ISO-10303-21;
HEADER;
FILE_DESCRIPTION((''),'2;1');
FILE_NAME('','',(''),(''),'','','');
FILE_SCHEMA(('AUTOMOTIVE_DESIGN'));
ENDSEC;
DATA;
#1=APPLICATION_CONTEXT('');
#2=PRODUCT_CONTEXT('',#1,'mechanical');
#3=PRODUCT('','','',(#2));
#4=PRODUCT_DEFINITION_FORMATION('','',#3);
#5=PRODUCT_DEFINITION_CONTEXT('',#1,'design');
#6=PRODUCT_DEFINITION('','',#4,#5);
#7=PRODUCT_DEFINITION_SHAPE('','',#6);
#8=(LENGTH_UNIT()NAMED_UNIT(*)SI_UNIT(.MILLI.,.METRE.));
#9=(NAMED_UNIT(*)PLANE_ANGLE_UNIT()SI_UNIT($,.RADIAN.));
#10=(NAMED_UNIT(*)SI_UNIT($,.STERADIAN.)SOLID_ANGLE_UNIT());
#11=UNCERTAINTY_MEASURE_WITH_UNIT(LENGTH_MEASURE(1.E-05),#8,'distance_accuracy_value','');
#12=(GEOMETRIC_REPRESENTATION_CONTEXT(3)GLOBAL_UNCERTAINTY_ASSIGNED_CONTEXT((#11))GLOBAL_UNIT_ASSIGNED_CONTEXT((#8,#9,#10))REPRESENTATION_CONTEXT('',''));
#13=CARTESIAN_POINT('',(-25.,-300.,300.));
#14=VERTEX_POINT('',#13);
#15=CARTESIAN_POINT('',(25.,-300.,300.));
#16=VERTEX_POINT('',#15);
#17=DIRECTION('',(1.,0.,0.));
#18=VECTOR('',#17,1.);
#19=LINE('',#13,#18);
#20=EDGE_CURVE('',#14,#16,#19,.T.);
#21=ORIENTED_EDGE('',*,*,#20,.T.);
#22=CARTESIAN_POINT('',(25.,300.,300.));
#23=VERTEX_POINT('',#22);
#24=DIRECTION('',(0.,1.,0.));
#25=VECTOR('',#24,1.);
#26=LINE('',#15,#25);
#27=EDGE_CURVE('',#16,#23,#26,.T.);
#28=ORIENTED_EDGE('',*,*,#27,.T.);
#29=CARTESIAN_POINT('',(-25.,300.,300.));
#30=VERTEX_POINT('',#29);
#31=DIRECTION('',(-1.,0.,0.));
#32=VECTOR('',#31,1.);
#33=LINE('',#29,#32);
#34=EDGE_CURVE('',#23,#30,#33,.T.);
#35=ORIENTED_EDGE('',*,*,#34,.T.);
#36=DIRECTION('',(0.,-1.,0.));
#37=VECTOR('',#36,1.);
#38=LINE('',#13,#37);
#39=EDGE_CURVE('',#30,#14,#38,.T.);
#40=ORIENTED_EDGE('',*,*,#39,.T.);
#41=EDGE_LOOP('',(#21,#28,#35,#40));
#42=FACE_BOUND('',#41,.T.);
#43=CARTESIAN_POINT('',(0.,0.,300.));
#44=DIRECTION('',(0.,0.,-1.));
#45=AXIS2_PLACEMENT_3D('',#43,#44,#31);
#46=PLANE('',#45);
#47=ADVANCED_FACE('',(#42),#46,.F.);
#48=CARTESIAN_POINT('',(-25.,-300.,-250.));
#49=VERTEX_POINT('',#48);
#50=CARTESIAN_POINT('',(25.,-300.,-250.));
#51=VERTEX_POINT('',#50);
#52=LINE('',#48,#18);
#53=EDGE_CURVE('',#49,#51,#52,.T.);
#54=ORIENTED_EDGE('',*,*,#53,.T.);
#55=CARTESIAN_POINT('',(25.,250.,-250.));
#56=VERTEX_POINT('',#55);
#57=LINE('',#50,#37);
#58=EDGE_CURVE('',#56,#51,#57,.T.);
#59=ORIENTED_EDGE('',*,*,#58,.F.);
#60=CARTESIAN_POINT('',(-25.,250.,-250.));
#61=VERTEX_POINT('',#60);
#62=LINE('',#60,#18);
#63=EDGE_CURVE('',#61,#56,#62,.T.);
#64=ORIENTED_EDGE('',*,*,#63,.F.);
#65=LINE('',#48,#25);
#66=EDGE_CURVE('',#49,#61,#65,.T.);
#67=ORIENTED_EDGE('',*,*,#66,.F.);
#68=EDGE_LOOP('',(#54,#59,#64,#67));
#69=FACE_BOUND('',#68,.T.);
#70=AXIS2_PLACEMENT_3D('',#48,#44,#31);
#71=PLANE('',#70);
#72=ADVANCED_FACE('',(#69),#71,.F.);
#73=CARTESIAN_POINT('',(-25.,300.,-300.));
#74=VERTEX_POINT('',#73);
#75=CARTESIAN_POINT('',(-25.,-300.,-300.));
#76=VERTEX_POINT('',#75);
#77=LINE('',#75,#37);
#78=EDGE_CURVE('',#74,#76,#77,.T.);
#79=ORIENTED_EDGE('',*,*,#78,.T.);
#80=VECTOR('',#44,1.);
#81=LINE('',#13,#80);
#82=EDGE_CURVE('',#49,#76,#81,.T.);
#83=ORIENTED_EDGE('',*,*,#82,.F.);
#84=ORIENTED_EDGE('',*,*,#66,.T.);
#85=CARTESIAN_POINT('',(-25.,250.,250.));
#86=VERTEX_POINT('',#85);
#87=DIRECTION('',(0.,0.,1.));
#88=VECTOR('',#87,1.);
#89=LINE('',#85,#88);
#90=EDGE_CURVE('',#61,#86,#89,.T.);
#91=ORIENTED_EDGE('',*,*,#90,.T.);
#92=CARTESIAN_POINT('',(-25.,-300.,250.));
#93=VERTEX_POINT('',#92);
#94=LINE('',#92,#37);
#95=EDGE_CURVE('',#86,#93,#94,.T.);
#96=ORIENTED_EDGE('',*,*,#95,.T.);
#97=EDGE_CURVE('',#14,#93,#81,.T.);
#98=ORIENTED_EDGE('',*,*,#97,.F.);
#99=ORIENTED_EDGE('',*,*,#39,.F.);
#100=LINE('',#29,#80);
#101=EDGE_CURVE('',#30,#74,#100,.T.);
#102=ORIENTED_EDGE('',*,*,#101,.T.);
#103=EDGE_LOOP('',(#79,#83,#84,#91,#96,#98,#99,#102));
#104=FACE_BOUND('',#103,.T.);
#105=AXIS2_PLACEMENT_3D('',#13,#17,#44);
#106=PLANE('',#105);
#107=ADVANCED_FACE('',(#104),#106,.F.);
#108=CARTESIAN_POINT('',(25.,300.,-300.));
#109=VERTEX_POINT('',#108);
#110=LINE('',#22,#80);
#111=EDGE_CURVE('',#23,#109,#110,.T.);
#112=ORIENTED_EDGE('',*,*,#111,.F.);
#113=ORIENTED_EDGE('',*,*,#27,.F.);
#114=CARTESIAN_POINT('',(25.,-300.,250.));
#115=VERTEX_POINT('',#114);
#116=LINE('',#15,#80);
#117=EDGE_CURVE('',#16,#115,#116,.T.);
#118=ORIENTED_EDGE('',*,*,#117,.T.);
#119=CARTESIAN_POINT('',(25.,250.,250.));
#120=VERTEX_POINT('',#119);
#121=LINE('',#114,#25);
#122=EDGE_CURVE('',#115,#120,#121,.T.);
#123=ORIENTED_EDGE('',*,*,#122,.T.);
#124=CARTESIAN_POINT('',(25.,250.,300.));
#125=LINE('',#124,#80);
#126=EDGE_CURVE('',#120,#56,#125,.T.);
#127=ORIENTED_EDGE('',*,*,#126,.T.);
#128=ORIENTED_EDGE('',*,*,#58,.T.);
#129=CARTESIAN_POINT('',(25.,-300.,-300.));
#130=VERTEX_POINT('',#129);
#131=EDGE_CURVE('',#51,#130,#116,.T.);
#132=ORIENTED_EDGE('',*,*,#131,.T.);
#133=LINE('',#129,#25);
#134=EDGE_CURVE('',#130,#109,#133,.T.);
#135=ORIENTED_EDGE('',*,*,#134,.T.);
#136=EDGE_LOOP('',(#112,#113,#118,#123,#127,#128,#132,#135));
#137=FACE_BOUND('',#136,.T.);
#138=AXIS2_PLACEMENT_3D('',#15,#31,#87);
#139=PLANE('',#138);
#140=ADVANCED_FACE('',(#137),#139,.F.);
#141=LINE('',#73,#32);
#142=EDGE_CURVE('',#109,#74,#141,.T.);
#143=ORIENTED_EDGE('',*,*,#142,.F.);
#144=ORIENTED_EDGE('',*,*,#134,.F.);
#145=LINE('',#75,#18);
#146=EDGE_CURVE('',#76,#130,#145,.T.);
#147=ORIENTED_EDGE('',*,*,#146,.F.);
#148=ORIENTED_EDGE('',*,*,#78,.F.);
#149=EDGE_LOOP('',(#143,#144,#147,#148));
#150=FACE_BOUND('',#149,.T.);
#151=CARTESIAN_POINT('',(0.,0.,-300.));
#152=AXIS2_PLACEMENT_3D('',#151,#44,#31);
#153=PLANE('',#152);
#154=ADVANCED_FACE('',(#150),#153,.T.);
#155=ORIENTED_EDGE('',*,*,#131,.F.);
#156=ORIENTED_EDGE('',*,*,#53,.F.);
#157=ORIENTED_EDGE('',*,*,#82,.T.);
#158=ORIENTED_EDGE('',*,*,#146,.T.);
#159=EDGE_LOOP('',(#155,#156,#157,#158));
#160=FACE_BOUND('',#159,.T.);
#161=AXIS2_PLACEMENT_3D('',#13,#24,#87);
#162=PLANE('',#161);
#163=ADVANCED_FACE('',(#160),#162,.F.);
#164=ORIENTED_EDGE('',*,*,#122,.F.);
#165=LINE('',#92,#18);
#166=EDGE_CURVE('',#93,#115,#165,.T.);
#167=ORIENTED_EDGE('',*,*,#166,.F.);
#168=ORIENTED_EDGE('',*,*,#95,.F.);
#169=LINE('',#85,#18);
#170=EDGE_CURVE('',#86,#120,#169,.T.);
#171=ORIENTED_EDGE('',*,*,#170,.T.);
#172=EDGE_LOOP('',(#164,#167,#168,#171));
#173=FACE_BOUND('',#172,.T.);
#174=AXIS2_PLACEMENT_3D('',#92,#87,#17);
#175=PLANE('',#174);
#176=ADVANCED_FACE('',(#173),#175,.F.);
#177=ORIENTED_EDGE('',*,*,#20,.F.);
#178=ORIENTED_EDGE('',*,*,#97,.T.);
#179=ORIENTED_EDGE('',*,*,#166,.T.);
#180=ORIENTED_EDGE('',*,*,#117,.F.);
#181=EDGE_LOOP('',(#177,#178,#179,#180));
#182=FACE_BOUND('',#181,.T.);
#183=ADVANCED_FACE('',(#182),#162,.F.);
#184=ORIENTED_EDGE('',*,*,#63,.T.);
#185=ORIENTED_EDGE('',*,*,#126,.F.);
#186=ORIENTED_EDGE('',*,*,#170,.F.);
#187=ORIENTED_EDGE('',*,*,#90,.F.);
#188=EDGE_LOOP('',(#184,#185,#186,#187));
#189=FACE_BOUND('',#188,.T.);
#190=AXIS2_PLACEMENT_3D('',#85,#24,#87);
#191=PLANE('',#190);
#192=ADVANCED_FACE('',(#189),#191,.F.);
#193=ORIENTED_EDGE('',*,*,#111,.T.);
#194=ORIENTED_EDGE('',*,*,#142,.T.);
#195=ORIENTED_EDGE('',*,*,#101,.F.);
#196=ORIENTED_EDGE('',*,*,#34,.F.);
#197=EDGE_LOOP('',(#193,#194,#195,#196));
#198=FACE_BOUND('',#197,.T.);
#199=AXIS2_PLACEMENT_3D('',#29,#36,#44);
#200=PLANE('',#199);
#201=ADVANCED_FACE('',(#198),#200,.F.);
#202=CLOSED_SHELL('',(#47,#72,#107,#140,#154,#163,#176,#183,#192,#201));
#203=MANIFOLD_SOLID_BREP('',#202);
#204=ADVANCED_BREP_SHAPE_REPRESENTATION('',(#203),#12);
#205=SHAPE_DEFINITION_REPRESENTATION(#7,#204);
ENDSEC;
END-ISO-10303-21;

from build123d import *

# Parameters (mm, degrees)
SKETCH1_W               = 50
SKETCH1_H               = 600
BOSS_EXTRUDE1_DEPTH     = 300
CUT_EXTRUDE1_DEPTH      = 428.200187266
CUT_EXTRUDE1_DEPTH_BACK = 428.200187266
SKETCH2_W               = 500
SKETCH2_H               = 550


with BuildPart() as part:
    # Sketch1 → Boss-Extrude1 (new, symmetric)
    with BuildSketch(Plane.XY):
        Rectangle(SKETCH1_W, SKETCH1_H)
    extrude(amount=BOSS_EXTRUDE1_DEPTH, both=True)

    # Sketch2 → Cut-Extrude1 (cut, two sides: drawn at the far end of the back side and taken through both)
    with BuildSketch(Plane(origin=(25, 0, 0), x_dir=(0, 0, -1), z_dir=(1, 0, 0)).offset(-CUT_EXTRUDE1_DEPTH_BACK)):
        with Locations((0, -25)):
            Rectangle(SKETCH2_W, SKETCH2_H)
    extrude(amount=CUT_EXTRUDE1_DEPTH + CUT_EXTRUDE1_DEPTH_BACK, mode=Mode.SUBTRACT)


solid = part.part
